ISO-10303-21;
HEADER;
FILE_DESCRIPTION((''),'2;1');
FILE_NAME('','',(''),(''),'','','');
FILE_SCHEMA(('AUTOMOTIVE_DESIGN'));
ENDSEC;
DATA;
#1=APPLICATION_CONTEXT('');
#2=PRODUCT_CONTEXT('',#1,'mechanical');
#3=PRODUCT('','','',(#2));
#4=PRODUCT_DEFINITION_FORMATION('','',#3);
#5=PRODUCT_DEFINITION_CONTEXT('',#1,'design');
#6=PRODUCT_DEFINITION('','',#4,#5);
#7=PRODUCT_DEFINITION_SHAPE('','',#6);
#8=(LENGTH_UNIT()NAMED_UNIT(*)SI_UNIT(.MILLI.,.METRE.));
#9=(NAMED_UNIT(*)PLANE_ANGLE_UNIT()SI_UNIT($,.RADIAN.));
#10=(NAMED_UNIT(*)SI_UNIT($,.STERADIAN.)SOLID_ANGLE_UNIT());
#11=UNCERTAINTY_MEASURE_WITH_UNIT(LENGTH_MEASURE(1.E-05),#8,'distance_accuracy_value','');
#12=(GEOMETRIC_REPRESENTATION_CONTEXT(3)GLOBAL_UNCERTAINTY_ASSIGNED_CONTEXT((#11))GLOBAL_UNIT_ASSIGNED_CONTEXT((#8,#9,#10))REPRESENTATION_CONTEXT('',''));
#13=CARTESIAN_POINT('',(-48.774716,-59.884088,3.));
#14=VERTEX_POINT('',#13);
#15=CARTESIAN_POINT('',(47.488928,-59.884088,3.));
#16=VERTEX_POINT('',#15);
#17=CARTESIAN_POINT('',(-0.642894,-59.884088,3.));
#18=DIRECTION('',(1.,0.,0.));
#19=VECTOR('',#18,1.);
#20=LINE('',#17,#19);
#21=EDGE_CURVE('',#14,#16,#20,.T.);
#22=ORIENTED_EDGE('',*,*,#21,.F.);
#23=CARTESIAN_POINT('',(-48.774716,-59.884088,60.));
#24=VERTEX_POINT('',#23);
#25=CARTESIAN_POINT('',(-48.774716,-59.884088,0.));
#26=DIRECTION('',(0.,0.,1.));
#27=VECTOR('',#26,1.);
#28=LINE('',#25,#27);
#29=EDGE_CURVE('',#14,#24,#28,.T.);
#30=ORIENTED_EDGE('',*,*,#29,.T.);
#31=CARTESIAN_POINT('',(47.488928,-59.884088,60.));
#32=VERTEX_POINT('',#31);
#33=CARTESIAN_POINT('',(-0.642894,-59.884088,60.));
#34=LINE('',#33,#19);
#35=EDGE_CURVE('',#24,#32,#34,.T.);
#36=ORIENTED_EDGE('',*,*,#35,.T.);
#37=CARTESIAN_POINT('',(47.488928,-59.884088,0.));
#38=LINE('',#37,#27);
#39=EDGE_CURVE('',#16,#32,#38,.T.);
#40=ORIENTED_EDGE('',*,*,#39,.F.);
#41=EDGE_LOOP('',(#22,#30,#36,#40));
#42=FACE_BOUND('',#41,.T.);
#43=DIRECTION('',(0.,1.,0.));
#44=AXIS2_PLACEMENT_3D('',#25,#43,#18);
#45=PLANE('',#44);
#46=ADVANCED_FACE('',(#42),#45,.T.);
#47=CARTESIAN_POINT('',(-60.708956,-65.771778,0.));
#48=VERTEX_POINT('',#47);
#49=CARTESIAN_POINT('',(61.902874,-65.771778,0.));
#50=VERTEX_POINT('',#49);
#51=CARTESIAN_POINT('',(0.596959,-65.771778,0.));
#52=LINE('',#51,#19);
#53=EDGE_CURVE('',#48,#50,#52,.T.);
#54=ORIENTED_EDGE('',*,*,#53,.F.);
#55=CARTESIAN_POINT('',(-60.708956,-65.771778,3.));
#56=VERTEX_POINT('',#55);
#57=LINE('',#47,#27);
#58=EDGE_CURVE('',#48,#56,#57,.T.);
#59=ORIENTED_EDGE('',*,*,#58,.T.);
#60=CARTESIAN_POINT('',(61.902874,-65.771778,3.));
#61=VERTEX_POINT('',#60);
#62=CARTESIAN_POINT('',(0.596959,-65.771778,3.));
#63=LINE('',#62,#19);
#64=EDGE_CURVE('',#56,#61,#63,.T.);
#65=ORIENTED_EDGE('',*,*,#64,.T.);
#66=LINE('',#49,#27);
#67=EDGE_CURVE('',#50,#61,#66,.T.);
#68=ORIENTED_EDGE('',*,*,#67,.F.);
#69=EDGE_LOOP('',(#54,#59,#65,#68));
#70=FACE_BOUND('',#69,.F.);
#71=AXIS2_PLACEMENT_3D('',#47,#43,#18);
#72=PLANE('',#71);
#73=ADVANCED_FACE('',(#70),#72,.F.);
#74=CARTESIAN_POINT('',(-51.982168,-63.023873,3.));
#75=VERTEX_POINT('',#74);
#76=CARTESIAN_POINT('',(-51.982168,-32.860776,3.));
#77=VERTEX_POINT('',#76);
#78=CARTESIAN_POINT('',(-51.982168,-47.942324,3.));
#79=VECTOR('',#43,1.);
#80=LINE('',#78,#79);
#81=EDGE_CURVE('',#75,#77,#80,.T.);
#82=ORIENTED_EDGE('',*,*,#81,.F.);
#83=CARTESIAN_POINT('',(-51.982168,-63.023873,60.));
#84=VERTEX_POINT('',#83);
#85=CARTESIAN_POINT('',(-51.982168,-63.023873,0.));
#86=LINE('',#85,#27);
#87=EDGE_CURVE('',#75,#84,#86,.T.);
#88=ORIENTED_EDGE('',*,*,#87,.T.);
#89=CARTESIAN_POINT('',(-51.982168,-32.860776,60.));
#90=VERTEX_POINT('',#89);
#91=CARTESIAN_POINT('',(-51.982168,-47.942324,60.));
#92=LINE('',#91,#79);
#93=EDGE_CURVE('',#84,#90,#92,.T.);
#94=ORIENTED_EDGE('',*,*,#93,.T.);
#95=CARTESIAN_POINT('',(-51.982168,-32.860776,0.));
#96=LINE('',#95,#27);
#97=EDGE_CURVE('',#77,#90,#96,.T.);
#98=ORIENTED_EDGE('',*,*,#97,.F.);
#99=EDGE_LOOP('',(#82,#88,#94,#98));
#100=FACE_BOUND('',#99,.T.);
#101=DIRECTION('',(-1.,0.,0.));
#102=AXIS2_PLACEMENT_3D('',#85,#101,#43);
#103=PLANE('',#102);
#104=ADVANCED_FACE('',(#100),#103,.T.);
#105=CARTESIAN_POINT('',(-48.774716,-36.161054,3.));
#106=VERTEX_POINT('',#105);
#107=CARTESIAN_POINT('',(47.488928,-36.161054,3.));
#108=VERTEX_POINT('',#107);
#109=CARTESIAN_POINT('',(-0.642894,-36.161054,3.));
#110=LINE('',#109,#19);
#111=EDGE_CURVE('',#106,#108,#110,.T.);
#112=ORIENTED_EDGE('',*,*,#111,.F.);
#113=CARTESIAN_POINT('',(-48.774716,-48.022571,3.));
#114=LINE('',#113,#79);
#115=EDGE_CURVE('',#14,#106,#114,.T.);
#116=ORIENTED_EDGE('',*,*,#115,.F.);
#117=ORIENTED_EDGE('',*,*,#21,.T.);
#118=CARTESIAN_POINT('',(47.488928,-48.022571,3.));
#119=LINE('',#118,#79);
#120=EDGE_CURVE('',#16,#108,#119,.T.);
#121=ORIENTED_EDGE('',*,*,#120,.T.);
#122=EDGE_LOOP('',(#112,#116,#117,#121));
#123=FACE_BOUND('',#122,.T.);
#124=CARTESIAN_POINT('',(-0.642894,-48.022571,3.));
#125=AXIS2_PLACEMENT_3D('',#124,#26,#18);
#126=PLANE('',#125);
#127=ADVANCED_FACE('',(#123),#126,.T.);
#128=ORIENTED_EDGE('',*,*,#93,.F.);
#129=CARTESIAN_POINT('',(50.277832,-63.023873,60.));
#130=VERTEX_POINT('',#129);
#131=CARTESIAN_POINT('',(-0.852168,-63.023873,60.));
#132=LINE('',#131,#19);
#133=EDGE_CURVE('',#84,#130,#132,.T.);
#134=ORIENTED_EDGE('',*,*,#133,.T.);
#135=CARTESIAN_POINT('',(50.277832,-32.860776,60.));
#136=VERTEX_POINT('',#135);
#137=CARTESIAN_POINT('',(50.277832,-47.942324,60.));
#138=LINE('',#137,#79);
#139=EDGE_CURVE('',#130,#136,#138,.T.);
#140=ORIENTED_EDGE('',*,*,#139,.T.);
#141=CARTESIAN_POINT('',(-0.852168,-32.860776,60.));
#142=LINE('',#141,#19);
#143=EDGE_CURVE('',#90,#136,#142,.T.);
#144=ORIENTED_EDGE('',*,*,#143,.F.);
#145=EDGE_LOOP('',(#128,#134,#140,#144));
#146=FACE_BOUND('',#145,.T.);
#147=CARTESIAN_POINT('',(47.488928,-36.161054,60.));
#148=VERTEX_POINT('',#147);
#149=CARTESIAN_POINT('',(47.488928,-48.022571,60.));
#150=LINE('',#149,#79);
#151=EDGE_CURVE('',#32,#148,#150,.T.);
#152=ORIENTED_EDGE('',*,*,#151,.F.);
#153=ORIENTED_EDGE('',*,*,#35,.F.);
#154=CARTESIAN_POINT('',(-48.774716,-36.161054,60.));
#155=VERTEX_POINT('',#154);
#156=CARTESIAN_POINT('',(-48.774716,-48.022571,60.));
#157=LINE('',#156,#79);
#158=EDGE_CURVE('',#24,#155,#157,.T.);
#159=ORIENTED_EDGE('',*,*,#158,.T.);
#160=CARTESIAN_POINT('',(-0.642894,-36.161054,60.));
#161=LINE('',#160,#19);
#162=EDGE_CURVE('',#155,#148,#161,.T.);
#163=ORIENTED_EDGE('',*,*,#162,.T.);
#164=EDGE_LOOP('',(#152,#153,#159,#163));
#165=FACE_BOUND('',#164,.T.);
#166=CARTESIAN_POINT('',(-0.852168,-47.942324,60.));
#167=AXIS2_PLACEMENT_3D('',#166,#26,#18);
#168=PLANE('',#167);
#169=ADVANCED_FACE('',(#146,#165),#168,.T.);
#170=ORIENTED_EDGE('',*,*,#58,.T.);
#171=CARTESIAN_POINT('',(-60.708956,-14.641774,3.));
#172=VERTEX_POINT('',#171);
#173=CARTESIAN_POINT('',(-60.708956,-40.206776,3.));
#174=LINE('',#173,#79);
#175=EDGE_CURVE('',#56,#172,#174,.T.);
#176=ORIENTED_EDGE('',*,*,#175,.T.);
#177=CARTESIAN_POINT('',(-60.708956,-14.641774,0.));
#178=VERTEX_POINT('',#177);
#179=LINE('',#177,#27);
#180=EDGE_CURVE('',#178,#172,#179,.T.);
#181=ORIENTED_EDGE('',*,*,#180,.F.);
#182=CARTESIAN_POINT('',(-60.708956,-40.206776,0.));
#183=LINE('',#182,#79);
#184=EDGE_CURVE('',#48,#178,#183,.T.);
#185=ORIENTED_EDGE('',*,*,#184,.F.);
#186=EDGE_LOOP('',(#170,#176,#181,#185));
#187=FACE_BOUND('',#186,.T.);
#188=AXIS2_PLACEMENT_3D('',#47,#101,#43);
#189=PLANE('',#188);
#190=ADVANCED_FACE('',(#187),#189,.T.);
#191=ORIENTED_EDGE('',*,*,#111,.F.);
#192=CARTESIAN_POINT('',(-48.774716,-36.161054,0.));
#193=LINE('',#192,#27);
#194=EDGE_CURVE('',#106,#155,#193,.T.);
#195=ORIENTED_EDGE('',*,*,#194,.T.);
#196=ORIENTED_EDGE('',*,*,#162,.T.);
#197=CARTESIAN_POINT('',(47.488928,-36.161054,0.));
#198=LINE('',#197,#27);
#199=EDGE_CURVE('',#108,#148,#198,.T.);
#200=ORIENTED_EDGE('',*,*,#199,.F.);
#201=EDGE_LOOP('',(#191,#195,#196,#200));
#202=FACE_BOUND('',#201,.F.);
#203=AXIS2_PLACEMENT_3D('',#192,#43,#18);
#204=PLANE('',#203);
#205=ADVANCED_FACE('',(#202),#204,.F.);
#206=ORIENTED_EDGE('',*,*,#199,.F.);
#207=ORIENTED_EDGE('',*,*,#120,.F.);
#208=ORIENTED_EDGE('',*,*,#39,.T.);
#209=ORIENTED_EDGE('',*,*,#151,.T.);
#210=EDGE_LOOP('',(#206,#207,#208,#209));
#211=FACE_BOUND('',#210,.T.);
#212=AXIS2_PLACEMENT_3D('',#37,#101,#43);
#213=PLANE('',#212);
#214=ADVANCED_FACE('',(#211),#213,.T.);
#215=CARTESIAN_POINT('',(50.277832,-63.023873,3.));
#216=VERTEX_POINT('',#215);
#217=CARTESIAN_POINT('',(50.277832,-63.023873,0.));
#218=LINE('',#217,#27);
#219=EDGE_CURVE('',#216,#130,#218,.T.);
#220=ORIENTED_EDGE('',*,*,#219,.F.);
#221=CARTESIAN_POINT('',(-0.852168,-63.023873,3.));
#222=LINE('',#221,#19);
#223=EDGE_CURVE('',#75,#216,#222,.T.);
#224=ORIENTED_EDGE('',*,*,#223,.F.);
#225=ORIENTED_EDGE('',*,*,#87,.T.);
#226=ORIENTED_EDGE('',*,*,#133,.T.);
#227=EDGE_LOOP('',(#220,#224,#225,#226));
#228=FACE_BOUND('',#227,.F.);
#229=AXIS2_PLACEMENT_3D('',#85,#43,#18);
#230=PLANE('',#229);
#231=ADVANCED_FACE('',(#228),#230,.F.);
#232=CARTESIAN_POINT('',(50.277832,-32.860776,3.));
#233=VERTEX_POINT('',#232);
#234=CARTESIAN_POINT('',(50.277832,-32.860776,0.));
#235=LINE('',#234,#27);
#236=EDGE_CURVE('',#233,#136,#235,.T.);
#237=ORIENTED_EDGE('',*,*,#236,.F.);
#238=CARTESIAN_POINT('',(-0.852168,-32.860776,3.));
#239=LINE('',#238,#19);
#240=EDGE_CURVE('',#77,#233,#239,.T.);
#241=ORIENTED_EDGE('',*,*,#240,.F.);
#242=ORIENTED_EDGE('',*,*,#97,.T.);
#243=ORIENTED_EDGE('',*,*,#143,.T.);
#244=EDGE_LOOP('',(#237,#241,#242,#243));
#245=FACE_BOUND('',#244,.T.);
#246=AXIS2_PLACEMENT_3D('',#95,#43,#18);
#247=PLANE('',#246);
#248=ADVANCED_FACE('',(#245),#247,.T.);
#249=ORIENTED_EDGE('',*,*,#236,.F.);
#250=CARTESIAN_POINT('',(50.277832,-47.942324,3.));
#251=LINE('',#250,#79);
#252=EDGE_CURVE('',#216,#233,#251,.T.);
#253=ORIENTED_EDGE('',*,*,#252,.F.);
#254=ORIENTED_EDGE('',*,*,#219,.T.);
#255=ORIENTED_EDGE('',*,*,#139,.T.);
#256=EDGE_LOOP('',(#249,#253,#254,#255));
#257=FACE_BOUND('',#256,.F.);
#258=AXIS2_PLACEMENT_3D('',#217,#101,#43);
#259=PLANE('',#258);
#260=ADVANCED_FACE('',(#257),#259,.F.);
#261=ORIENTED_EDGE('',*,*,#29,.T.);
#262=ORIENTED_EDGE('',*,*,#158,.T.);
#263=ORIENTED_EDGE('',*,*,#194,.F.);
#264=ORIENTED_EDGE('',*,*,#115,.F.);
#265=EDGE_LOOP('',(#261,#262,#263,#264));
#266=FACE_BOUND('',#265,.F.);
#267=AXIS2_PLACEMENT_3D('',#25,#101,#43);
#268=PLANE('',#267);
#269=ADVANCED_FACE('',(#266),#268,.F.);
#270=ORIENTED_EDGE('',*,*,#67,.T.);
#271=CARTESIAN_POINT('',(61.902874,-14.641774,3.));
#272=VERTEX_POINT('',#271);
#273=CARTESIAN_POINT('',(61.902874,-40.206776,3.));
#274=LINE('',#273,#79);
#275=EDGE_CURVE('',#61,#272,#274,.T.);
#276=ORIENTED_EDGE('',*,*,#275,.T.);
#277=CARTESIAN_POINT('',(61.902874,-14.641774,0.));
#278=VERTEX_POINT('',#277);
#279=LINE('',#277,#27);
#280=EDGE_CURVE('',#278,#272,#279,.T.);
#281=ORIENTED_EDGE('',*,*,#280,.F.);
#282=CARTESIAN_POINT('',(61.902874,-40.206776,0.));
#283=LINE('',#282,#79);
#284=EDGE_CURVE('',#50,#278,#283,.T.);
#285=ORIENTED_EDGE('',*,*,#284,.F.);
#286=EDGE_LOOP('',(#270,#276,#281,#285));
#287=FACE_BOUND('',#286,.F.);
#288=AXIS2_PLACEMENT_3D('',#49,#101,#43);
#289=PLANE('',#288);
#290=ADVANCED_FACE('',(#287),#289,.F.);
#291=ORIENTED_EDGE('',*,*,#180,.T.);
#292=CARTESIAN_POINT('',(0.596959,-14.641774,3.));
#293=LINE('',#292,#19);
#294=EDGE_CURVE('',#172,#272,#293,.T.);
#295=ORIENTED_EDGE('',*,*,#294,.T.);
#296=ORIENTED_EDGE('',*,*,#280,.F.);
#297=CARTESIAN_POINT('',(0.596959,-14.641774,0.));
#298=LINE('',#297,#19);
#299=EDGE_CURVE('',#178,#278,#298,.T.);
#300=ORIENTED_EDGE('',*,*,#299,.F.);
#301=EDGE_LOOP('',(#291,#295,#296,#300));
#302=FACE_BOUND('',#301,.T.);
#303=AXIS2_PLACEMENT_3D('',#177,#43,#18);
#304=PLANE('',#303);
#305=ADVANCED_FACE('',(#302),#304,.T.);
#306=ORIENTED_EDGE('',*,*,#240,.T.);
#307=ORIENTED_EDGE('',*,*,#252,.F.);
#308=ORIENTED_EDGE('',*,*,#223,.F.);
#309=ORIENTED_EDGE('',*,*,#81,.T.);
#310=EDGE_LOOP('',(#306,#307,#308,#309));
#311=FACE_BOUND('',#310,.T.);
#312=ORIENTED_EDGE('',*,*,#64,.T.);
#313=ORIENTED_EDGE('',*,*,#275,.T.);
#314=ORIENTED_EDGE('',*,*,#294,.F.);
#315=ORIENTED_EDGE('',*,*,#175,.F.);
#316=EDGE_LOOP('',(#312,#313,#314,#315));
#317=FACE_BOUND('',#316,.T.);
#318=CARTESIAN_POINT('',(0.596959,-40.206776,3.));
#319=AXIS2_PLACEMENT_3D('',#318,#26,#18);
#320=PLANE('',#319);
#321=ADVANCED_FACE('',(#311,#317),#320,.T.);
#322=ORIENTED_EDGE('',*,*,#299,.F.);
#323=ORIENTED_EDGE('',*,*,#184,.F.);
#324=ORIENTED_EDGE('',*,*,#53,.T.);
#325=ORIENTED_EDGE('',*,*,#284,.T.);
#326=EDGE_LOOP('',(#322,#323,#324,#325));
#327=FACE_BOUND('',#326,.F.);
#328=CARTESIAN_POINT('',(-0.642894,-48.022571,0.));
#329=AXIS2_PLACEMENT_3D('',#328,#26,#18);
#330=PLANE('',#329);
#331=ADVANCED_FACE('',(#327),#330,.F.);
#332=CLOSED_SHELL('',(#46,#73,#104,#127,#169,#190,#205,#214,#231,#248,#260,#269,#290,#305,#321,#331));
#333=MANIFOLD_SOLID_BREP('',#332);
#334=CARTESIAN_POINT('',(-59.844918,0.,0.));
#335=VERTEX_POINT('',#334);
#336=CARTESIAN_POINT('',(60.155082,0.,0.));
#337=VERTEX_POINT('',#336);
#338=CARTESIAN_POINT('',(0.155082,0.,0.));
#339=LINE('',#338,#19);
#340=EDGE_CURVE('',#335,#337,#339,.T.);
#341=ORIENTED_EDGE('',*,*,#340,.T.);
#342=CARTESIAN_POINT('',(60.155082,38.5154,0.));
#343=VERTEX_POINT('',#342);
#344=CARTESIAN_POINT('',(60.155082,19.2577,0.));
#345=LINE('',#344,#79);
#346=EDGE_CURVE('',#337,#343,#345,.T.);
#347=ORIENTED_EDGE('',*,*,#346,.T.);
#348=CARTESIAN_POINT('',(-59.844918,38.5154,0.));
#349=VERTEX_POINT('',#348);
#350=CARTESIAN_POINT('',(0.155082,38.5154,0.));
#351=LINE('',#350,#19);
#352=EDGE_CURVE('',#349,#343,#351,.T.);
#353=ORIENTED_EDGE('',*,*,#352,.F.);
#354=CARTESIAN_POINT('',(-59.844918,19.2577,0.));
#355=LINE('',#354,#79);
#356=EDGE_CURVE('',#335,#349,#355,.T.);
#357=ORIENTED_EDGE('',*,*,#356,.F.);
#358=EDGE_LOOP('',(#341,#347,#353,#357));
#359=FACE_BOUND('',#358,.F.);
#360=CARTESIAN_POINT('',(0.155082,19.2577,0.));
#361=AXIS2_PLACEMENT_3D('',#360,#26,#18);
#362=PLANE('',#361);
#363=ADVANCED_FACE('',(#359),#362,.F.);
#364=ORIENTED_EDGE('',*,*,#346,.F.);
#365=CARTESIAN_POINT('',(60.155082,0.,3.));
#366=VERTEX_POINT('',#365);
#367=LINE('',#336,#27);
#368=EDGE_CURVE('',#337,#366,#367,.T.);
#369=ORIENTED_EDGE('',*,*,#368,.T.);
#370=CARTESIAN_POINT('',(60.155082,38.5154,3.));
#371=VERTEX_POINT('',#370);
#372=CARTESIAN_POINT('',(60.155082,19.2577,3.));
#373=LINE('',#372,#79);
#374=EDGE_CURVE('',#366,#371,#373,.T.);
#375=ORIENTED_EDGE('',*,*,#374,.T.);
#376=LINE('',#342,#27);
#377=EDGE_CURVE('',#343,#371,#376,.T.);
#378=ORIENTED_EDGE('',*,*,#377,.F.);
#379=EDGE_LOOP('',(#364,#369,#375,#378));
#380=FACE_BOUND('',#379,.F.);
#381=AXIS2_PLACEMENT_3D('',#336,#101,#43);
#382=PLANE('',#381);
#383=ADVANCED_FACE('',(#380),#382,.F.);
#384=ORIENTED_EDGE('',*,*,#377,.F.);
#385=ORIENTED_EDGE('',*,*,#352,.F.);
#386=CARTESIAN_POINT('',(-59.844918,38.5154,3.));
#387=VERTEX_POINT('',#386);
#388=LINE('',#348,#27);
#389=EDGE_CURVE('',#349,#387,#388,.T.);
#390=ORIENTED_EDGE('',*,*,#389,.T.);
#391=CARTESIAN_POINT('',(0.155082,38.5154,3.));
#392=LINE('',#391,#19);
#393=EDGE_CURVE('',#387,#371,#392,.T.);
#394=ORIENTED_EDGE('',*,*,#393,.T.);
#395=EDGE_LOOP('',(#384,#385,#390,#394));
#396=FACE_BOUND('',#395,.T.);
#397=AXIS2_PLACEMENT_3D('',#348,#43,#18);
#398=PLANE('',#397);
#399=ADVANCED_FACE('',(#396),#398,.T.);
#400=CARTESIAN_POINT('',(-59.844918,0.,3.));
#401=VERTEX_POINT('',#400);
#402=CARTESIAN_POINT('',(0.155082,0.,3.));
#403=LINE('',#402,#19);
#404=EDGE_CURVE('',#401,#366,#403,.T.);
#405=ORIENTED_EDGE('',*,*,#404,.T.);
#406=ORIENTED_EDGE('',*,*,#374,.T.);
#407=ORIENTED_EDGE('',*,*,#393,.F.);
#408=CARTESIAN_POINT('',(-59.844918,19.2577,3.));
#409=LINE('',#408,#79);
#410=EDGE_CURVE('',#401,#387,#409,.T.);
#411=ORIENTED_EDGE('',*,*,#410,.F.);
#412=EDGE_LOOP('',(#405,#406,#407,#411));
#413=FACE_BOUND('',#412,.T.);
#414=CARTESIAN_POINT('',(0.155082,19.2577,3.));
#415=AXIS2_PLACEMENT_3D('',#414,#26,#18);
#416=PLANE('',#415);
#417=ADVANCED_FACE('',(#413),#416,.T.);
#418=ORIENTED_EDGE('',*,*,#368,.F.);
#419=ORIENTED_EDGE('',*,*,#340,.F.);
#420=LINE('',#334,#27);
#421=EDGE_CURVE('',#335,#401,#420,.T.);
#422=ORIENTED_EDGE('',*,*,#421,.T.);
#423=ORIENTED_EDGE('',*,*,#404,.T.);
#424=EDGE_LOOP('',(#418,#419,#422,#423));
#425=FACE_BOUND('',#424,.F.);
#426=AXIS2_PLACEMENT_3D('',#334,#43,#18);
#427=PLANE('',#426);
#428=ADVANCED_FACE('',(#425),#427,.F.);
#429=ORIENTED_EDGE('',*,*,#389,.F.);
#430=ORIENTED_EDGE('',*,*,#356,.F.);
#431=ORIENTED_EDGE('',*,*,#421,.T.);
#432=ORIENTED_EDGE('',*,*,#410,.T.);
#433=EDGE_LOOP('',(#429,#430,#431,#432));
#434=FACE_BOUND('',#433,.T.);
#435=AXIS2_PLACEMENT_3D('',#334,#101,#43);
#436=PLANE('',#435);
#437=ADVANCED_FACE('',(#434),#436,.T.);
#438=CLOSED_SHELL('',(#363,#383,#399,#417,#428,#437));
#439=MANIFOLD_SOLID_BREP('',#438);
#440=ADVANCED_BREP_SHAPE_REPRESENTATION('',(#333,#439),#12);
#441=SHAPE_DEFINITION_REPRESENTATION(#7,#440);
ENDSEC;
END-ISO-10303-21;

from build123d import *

# Parameters (mm, degrees)
F0_W     = 120
F0_H     = 38.515401
F1_DEPTH = 3
F0_W_2   = 122.61183
F0_H_2   = 51.130004
F0_W_3   = 102.26
F0_H_3   = 30.163097
F2_DEPTH = 3
F0_W_4   = 96.263644
F0_H_4   = 23.723034
F3_DEPTH = 60
F4_DEPTH = 3


with BuildPart() as f1:
    # F0 (on Top) → F1 (new body)
    with BuildSketch(Plane.XY):
        with Locations((0.155082, 19.2577)):
            Rectangle(F0_W, F0_H)
    extrude(amount=F1_DEPTH)


with BuildPart() as f2:
    # F0 (on Top) → F2 (new body)
    with BuildSketch(Plane.XY):
        with Locations((0.596959, -40.206776)):
            Rectangle(F0_W_2, F0_H_2)
        with Locations((-0.852168, -47.942324)):
            Rectangle(F0_W_3, F0_H_3, mode=Mode.SUBTRACT)
    extrude(amount=F2_DEPTH)

    # F0 (on Top) → F3 (join)
    with BuildSketch(Plane.XY):
        with Locations((-0.852168, -47.942324)):
            Rectangle(F0_W_3, F0_H_3)
        with Locations((-0.642894, -48.022571)):
            Rectangle(F0_W_4, F0_H_4, mode=Mode.SUBTRACT)
    extrude(amount=F3_DEPTH)

    # F0 (on Top) → F4 (join)
    with BuildSketch(Plane.XY):
        with Locations((-0.642894, -48.022571)):
            Rectangle(F0_W_4, F0_H_4)
    extrude(amount=F4_DEPTH)


solid = Compound([f1.part, f2.part])
